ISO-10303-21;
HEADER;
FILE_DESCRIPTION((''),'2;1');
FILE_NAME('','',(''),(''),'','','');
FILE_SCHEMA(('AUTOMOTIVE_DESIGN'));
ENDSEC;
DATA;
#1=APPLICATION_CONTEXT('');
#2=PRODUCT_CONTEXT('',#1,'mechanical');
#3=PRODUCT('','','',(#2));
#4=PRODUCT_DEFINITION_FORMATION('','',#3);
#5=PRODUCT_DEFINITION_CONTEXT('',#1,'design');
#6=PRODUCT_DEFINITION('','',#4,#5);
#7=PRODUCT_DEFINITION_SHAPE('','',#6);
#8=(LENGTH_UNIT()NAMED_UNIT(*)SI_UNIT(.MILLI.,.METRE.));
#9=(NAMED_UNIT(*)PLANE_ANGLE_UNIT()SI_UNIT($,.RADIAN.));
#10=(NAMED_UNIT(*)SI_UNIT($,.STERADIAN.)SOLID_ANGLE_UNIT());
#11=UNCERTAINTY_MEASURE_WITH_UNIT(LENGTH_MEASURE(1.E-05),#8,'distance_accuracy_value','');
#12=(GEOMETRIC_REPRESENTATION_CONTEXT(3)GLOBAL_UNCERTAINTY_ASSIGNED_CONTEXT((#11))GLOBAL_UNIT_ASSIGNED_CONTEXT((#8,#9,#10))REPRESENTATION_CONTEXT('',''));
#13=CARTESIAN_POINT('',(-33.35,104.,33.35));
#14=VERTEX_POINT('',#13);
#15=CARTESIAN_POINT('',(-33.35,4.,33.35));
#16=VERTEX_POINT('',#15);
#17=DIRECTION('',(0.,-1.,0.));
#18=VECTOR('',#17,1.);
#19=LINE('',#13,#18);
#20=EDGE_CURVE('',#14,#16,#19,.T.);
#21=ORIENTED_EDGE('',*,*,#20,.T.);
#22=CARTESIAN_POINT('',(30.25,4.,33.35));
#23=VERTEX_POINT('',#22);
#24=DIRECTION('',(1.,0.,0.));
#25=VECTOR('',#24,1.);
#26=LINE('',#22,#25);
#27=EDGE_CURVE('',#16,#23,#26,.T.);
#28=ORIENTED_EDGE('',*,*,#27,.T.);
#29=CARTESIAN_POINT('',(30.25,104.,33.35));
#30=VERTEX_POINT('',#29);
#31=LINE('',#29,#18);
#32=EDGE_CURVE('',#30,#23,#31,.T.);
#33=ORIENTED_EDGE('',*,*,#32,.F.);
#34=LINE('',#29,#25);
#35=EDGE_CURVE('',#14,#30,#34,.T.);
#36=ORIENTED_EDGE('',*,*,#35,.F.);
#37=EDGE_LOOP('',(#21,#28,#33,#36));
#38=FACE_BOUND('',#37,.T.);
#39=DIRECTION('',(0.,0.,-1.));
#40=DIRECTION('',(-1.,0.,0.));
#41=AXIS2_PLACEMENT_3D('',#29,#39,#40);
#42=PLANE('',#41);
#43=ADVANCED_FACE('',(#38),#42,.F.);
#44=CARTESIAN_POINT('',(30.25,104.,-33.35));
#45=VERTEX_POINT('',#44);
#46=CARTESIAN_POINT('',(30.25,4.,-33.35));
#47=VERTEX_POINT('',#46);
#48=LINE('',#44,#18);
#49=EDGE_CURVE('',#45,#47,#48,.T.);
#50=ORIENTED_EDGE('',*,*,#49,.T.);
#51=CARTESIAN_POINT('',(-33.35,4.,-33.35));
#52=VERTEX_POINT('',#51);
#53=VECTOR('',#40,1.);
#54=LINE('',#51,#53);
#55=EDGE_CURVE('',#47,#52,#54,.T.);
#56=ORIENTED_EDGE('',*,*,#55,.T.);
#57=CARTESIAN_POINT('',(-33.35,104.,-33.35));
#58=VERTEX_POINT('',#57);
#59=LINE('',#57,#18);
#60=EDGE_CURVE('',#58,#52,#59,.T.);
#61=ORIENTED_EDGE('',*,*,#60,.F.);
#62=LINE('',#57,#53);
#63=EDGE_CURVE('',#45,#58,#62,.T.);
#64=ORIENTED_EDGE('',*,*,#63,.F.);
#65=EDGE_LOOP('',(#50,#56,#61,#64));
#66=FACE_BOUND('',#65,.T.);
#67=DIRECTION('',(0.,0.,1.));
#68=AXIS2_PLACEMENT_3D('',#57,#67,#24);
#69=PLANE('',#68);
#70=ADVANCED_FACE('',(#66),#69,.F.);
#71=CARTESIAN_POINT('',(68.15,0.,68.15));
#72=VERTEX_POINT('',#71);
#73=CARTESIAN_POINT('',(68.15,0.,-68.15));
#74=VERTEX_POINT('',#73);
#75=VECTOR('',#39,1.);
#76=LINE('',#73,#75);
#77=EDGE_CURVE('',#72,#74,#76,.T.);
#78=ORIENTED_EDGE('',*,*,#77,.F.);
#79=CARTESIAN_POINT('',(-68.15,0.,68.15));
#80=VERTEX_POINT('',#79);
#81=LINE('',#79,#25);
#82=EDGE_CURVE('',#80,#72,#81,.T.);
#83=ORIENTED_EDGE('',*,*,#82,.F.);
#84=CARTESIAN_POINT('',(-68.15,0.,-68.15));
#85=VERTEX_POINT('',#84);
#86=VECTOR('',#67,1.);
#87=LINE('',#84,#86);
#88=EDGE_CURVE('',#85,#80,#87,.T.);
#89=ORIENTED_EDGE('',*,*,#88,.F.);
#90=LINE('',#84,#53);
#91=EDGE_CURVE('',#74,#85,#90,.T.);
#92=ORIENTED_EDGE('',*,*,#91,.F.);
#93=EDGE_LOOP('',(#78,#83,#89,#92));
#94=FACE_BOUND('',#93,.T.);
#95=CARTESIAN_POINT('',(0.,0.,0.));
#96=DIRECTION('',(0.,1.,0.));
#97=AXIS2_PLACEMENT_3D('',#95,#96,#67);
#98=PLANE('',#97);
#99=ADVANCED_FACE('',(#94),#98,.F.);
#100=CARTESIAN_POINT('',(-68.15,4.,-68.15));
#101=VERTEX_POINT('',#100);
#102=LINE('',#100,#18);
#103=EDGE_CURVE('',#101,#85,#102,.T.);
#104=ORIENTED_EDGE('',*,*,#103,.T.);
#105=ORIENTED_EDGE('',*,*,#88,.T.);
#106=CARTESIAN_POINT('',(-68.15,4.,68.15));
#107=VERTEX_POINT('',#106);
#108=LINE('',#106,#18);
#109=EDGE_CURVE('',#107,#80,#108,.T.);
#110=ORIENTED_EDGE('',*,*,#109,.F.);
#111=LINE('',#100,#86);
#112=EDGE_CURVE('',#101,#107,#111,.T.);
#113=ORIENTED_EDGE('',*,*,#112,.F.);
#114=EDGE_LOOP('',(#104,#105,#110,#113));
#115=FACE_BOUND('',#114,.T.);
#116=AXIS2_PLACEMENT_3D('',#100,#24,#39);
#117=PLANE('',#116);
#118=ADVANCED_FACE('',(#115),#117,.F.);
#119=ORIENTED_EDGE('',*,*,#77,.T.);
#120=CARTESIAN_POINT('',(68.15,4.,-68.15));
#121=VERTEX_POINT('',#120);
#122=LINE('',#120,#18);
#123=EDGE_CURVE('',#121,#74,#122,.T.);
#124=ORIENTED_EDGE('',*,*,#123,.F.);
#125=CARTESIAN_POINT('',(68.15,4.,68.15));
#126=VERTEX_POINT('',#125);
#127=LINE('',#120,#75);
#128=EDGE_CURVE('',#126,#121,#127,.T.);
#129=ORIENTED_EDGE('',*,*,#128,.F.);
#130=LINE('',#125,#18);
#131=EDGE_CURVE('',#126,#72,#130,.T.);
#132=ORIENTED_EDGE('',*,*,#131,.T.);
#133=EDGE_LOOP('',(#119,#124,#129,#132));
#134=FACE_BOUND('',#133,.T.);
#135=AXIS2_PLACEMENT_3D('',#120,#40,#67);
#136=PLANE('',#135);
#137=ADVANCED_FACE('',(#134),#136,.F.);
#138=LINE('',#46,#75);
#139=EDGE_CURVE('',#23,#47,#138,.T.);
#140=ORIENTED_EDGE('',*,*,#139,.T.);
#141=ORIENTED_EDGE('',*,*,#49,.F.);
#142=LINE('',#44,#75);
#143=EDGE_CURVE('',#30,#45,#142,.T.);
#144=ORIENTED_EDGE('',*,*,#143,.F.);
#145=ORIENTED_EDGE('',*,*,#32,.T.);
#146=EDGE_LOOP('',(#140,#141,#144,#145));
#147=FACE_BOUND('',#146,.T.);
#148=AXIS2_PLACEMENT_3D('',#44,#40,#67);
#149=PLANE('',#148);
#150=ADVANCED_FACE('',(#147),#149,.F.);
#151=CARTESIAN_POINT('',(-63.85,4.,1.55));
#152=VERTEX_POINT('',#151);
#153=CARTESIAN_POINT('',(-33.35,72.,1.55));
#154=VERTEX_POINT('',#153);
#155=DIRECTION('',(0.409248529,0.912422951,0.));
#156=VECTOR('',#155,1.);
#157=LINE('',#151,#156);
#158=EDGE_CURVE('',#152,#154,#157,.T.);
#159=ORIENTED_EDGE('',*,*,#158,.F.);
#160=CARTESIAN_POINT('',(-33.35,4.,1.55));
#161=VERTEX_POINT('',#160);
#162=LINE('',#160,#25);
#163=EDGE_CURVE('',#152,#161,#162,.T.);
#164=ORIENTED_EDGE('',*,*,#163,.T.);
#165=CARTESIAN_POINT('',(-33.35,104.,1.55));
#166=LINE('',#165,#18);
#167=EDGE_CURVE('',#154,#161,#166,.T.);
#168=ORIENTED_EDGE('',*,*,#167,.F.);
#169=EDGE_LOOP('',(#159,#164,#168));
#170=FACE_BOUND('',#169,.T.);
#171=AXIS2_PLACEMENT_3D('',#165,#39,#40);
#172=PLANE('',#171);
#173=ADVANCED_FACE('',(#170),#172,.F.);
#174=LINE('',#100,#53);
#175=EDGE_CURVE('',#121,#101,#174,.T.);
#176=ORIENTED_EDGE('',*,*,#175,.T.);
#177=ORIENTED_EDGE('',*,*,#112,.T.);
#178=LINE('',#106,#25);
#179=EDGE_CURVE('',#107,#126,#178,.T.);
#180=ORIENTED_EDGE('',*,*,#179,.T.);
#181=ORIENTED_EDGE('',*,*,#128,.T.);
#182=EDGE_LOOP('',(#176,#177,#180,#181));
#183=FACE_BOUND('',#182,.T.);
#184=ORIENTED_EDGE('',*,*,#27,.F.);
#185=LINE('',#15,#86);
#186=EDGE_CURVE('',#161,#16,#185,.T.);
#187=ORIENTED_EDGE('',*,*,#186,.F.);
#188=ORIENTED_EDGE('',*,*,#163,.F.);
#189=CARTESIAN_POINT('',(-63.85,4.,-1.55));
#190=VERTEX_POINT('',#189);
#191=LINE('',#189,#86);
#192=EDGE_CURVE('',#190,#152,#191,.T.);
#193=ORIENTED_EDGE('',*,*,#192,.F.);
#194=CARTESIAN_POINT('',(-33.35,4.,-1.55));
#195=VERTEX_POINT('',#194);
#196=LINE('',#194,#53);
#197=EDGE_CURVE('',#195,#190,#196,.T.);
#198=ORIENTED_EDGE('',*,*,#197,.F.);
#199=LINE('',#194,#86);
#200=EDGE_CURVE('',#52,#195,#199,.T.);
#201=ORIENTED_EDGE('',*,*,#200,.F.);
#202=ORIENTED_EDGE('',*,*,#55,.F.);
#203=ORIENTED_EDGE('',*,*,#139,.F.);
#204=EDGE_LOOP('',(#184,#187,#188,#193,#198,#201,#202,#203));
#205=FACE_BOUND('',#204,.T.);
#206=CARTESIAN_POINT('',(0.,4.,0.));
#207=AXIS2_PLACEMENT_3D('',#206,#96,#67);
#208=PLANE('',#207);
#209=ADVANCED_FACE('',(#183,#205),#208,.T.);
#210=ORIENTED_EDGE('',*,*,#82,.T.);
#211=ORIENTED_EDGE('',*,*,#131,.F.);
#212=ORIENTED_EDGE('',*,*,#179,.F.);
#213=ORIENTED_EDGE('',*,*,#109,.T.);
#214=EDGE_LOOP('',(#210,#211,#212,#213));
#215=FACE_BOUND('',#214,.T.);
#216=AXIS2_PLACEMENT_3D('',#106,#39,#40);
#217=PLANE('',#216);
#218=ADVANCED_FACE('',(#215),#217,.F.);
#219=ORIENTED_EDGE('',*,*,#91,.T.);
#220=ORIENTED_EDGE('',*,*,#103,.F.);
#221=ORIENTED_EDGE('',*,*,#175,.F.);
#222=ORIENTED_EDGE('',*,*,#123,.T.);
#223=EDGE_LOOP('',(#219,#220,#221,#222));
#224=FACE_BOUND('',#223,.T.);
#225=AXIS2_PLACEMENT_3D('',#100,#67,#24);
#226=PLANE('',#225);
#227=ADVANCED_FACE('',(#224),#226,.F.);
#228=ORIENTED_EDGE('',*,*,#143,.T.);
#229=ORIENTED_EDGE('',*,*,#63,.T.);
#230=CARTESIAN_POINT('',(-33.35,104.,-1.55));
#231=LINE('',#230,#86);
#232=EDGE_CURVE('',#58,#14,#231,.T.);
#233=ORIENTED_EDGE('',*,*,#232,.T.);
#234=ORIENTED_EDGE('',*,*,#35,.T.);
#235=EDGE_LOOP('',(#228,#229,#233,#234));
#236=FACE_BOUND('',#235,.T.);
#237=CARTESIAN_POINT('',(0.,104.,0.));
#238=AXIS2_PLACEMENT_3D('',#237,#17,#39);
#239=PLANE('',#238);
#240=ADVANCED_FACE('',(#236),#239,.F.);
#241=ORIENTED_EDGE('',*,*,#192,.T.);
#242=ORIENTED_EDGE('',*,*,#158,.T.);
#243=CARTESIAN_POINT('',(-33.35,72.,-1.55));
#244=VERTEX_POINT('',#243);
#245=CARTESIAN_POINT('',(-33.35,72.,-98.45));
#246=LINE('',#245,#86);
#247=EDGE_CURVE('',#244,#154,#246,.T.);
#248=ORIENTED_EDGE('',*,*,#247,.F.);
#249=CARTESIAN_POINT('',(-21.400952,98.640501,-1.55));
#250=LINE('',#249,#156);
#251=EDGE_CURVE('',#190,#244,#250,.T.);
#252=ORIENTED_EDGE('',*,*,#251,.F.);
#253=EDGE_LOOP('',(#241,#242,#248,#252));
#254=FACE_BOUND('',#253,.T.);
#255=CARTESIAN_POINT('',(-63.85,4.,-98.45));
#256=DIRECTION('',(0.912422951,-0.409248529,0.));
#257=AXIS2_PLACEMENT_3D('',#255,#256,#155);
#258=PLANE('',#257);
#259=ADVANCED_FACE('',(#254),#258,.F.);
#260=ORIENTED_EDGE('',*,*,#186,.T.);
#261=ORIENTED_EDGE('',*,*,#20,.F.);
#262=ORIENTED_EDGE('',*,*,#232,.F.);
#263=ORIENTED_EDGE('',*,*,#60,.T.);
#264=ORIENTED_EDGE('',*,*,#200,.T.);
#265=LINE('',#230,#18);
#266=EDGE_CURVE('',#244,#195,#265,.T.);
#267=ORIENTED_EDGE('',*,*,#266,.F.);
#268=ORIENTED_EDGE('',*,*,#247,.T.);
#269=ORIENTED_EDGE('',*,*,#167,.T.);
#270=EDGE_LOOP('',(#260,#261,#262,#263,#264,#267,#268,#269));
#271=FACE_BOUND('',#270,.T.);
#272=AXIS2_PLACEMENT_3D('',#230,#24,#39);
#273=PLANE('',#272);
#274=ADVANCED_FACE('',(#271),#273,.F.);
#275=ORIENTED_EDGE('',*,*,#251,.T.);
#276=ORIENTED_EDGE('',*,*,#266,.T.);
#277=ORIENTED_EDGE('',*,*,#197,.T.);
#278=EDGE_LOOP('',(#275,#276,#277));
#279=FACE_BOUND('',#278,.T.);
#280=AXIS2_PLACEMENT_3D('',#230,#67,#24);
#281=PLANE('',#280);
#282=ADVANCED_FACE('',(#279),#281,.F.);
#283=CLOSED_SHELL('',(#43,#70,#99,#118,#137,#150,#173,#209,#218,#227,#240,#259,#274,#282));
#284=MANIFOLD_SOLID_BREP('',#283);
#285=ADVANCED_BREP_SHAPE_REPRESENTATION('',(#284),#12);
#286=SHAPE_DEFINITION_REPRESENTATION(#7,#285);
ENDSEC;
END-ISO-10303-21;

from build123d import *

# Parameters (mm, degrees)
SKETCH_1_W          = 136.3
SKETCH_1_H          = 136.3
EXTRUDE_1_DEPTH     = 4
EXTRUDE_2_DEPTH     = 100
CUT_EXTRUDE_1_DEPTH = 100
SKETCH_4_W          = 60.5
SKETCH_4_H          = 100
EXTRUDE_3_DEPTH     = 60.5


with BuildPart() as part:
    # 草图1 → 凸台-拉伸1 (new body)
    with BuildSketch(Plane(origin=(0, 0, 0), x_dir=(1, 0, 0), z_dir=(0, 1, 0))):
        Rectangle(SKETCH_1_W, SKETCH_1_H)
    extrude(amount=EXTRUDE_1_DEPTH)

    # 草图2 → 凸台-拉伸2 (add)
    with BuildSketch(Plane(origin=(0, 4, 0), x_dir=(1, 0, 0), z_dir=(0, 1, 0))):
        Polygon((30.25, 30.25), (-30.25, 30.25), (-30.25, -30.25), (30.25, -30.25), (30.25, -33.35), (-33.35, -33.35), (-33.35, -1.55), (-63.85, -1.55), (-63.85, 1.55), (-33.35, 1.55), (-33.35, 33.35), (30.25, 33.35), align=None)
    extrude(amount=EXTRUDE_2_DEPTH)

    # 草图3 → 切除-拉伸1 (cut)
    with BuildSketch(Plane.XY.offset(1.55)):
        Polygon((-63.85, 4), (-33.35, 72), (-33.35, 104), (-63.85, 104), align=None)
    extrude(amount=-CUT_EXTRUDE_1_DEPTH, mode=Mode.SUBTRACT)

    # 草图4 → 凸台-拉伸3 (add)
    with BuildSketch(Plane(origin=(-30.25, 0, 0), x_dir=(0, 0, -1), z_dir=(1, 0, 0))):
        with Locations((0, 54)):
            Rectangle(SKETCH_4_W, SKETCH_4_H)
    extrude(amount=EXTRUDE_3_DEPTH)


solid = part.part
